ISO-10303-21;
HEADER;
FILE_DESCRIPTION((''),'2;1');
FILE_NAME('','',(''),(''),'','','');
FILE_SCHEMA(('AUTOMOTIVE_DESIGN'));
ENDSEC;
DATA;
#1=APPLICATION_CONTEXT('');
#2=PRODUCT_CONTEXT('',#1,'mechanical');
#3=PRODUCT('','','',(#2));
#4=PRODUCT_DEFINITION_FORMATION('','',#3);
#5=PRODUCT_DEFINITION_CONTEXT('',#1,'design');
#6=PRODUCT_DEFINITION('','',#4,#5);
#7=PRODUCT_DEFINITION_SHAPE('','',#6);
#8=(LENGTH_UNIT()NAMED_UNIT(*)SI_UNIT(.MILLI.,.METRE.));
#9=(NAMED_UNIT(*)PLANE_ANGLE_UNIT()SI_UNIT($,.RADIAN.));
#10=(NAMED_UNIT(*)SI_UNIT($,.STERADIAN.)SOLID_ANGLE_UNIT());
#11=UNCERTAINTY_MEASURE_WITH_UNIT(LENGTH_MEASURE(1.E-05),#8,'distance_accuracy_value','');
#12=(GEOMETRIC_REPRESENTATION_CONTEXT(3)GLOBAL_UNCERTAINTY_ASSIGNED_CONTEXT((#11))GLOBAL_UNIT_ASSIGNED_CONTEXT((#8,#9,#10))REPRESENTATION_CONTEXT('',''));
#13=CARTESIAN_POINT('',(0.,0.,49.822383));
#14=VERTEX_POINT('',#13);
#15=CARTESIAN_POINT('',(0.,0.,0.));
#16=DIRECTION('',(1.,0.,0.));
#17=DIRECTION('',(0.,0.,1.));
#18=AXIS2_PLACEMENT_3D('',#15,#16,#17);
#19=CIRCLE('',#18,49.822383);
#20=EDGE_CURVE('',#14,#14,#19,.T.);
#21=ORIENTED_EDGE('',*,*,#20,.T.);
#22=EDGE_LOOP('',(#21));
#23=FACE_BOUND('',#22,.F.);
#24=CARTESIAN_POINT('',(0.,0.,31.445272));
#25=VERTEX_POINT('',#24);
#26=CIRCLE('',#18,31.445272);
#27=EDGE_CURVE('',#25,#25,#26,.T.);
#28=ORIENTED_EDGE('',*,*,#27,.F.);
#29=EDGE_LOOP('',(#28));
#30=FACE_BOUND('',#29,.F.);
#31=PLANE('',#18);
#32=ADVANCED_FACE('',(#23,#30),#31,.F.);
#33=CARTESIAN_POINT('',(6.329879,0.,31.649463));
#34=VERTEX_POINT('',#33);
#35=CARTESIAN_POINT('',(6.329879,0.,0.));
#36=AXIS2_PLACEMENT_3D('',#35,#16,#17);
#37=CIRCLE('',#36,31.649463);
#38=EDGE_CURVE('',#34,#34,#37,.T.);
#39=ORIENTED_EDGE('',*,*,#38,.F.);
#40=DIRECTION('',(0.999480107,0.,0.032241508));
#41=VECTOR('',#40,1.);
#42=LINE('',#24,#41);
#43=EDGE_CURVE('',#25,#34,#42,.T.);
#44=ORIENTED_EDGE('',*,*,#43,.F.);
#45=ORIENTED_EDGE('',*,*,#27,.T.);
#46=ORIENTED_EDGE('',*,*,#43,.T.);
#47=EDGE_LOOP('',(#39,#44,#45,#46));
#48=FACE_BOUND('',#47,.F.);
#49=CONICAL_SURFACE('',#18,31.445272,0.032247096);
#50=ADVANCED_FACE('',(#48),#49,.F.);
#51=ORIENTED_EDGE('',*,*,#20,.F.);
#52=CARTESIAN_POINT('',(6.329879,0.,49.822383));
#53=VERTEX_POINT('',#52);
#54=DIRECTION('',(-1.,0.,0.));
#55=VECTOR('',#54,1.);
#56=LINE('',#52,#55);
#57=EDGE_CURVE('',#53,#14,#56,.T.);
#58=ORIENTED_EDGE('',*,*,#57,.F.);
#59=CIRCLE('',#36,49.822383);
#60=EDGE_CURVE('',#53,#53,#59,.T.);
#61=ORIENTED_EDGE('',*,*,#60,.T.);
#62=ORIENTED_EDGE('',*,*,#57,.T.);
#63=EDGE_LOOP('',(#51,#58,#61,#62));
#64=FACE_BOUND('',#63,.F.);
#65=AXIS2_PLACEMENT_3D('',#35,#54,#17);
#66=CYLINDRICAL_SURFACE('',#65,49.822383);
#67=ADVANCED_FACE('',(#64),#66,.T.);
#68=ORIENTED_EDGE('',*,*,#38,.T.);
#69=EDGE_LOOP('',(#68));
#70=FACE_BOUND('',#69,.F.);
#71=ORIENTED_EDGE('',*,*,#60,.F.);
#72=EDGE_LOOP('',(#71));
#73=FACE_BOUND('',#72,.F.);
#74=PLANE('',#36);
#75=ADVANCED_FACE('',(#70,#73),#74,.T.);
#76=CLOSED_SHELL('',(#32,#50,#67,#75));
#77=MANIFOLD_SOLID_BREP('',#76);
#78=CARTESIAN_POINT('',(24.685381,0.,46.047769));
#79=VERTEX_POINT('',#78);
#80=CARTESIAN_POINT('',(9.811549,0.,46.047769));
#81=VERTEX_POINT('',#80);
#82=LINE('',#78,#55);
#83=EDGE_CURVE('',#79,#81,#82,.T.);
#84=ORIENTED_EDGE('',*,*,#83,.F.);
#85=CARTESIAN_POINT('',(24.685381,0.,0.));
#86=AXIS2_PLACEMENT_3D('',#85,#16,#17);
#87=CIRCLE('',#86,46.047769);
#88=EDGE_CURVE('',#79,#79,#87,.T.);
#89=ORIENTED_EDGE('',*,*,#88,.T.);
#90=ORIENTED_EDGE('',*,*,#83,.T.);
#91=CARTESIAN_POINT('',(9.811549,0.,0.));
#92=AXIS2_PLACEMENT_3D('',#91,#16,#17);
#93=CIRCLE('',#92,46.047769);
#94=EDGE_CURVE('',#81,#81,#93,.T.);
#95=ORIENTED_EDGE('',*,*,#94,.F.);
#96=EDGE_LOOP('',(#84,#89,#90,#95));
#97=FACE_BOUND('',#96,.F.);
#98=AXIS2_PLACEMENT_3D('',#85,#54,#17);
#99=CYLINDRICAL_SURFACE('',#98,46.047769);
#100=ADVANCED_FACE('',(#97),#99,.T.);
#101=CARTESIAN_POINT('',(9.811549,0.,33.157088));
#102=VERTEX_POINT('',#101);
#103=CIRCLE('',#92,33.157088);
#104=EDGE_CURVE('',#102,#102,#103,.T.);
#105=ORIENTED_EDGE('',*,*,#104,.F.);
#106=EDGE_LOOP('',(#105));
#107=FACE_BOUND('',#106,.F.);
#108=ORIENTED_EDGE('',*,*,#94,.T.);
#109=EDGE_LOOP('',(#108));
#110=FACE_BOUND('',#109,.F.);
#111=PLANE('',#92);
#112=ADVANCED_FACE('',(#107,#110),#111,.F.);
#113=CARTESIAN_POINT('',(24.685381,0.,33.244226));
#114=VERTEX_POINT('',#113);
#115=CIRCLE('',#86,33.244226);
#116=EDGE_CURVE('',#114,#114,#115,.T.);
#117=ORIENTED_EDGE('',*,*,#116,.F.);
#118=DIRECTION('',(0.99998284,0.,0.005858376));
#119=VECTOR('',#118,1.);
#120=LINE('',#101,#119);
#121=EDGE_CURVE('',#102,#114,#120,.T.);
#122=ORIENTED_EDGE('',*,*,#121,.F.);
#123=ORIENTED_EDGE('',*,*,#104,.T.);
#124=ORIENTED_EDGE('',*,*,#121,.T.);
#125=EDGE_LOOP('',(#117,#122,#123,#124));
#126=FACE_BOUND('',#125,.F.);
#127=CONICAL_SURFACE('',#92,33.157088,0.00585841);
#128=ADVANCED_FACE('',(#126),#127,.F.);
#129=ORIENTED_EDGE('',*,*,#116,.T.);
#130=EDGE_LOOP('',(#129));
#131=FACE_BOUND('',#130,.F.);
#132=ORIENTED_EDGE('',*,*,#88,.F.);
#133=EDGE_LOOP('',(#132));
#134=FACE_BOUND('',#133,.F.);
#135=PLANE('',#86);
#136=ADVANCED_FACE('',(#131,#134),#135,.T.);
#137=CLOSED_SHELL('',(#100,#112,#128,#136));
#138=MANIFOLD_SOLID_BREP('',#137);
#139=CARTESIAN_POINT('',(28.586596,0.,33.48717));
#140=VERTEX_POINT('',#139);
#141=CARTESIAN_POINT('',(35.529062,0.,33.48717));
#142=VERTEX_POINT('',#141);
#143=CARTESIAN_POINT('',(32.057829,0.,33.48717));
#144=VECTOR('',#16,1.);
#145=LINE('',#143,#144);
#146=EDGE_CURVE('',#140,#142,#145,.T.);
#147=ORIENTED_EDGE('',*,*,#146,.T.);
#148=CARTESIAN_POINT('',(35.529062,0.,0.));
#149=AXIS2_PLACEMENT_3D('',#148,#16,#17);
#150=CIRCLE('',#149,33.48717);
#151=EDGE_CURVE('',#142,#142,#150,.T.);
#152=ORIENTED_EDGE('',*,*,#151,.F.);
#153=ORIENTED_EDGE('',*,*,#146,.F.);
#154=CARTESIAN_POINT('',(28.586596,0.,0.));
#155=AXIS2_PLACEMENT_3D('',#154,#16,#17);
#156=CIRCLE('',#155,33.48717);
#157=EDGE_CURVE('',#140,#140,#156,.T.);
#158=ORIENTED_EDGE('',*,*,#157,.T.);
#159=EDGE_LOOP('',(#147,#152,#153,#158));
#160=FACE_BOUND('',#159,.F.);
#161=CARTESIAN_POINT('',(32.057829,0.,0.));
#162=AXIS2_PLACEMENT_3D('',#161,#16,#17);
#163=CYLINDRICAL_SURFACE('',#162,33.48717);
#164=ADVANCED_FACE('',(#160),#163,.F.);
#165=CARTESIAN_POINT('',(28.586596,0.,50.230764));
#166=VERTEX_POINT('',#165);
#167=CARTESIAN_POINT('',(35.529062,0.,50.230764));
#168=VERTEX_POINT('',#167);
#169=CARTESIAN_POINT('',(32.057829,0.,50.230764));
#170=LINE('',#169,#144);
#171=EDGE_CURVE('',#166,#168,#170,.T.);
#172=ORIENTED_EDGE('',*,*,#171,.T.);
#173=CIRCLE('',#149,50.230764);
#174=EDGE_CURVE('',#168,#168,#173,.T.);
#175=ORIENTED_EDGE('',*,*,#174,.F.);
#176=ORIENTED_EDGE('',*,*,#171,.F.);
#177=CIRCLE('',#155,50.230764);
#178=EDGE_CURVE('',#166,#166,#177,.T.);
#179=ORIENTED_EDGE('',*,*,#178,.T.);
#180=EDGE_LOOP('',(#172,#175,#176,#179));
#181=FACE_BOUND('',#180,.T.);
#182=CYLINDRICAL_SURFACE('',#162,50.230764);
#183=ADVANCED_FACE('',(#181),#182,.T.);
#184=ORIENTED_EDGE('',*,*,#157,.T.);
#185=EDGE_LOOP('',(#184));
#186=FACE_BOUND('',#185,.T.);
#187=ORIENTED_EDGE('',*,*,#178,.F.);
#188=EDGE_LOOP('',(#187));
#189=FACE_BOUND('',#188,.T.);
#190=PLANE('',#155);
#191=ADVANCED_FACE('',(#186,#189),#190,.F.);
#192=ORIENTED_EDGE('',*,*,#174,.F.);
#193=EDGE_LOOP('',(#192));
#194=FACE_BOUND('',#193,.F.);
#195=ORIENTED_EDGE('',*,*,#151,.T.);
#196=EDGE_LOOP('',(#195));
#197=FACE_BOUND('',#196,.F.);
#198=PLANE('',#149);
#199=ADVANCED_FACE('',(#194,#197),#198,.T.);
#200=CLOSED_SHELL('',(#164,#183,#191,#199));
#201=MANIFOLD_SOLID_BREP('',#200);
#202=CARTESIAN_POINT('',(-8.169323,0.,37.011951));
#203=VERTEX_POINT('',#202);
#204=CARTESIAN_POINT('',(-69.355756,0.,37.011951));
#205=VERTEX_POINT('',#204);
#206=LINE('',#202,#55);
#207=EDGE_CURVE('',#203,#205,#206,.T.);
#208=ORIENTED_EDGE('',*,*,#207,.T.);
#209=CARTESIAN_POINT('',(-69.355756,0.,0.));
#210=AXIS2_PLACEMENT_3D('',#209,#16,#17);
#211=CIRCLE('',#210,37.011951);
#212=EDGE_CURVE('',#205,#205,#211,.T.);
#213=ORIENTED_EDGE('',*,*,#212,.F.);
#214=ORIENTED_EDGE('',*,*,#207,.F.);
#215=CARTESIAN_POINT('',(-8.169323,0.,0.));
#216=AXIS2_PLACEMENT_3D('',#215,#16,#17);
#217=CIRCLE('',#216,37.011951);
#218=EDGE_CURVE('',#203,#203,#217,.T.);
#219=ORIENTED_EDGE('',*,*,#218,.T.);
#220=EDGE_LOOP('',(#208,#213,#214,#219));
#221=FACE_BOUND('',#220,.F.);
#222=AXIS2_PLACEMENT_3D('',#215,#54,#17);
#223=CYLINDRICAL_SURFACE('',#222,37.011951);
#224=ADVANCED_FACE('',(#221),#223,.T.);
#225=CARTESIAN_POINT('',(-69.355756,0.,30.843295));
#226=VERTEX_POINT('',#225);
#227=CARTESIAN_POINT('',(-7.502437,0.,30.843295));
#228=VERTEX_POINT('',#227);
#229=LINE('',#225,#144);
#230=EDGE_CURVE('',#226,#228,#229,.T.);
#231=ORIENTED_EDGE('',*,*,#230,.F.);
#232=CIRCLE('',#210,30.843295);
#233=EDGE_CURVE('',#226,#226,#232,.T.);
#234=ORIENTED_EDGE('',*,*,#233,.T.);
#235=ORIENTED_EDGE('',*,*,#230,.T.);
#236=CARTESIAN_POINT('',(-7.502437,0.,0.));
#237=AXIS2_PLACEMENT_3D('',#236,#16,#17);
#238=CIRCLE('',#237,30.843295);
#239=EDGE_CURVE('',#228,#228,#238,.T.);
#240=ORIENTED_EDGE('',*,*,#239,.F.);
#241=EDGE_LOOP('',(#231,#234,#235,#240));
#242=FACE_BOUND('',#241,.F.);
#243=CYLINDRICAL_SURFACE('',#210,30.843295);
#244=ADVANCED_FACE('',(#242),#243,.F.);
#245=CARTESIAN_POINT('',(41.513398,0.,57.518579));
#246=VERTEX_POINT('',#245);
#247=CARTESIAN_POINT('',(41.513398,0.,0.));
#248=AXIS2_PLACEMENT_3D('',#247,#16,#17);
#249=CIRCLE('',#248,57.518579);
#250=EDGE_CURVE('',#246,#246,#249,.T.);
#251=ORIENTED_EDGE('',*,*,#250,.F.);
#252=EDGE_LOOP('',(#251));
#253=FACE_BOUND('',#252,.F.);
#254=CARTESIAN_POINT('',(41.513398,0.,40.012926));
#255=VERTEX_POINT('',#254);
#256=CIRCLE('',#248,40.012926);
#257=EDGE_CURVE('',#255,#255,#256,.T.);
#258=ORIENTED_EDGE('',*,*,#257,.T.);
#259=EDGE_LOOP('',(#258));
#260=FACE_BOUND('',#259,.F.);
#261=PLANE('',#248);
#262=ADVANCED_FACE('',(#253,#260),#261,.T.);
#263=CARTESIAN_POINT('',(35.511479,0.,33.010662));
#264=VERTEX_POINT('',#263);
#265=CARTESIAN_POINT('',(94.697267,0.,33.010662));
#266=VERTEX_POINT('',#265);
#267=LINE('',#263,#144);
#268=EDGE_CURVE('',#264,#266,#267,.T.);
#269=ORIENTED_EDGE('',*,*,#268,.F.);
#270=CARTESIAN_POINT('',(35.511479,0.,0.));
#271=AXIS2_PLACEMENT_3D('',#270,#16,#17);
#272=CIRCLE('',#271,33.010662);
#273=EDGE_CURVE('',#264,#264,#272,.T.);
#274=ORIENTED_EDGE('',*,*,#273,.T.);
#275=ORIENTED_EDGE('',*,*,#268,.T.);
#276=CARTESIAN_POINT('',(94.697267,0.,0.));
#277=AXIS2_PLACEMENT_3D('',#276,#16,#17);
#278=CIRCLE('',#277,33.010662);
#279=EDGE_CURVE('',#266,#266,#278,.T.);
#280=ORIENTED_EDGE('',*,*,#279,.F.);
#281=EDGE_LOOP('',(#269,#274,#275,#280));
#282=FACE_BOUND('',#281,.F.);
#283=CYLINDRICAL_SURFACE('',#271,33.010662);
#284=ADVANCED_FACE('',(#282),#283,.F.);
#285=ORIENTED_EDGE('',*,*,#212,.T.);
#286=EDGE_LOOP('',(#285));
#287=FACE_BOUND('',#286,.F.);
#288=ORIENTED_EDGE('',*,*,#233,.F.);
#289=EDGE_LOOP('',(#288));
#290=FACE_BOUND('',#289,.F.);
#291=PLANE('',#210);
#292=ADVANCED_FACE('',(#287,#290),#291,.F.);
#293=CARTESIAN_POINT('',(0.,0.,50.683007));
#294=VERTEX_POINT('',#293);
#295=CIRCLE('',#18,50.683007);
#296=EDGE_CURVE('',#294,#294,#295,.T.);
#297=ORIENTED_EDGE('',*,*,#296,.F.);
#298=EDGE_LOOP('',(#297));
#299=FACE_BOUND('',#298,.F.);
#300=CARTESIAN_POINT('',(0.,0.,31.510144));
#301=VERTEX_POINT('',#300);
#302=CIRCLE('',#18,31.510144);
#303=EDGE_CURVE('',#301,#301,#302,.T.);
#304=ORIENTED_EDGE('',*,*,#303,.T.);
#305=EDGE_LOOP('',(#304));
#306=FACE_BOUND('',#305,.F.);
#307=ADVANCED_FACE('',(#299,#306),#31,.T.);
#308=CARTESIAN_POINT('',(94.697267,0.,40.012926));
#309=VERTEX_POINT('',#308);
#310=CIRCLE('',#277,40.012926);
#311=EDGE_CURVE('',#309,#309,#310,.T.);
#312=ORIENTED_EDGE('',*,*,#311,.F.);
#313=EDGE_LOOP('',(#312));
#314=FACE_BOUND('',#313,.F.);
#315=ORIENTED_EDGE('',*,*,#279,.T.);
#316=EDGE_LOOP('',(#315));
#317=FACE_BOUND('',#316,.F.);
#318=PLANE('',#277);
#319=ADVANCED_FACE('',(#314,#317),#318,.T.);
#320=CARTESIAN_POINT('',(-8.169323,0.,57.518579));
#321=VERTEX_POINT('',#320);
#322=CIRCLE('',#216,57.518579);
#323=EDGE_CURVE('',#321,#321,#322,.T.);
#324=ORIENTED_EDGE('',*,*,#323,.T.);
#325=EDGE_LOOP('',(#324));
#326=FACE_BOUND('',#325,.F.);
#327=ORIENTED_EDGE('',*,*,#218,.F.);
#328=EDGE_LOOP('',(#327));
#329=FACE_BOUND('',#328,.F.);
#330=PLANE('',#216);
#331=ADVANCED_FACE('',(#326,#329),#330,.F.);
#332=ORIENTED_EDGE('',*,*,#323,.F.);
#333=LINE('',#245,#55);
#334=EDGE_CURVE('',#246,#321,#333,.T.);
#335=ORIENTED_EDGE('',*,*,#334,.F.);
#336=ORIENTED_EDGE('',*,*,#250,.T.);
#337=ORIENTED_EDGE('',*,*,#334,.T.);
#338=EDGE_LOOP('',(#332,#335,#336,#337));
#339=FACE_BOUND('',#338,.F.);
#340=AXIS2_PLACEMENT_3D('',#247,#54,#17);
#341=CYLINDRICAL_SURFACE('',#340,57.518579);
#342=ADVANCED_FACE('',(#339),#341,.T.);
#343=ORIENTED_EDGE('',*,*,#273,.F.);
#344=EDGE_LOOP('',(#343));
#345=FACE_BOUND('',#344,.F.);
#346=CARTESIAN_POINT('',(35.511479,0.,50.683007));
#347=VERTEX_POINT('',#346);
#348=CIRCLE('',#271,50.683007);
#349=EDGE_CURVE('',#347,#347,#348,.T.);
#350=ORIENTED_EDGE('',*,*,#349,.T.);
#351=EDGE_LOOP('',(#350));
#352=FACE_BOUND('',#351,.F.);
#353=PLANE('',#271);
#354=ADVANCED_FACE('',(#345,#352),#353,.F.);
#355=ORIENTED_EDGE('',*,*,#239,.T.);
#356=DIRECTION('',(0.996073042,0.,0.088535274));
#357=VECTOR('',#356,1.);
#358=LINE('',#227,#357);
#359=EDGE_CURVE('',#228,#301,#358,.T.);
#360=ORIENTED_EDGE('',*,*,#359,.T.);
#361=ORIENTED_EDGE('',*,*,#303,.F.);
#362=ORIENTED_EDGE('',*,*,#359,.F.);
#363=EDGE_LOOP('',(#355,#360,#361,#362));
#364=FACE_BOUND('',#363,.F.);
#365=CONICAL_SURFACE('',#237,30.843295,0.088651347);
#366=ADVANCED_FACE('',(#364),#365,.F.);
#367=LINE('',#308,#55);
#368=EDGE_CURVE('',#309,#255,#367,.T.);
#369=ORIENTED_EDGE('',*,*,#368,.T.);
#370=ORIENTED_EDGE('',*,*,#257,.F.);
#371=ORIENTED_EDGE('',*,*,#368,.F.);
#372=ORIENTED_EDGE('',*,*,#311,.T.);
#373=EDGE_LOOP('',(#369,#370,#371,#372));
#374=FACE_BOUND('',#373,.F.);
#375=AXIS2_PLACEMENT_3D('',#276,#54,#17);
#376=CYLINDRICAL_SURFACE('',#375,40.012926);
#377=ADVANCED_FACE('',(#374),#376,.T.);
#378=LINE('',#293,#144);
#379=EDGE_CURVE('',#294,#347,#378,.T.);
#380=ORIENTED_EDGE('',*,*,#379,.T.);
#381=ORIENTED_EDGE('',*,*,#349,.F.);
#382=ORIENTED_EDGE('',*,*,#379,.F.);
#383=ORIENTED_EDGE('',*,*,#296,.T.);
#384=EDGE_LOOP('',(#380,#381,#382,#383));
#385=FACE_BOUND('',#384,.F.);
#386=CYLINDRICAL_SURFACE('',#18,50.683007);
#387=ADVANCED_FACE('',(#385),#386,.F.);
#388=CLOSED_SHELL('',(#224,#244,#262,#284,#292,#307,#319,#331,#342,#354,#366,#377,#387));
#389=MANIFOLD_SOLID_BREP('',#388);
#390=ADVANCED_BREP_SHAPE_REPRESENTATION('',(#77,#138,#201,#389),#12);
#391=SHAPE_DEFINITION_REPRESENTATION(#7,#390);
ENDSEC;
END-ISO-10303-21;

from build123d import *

# Parameters (mm, degrees)
F2_W = 6.942466
F2_H = 16.743593


with BuildPart() as f4:
    # F3 (on Front) → F4 (revolve)
    with BuildSketch(Plane.XZ):
        Polygon((9.811549, 46.047769), (9.811549, 33.157088), (24.685381, 33.244226), (24.685381, 46.047769), align=None)
    revolve(axis=Axis((-37.262052, 0, 0), (1, 0, 0)))


with BuildPart() as f5:
    # F2 (on Front) → F5 (revolve)
    with BuildSketch(Plane.XZ):
        with Locations((32.057829, 41.858967)):
            Rectangle(F2_W, F2_H)
    revolve(axis=Axis((-37.262052, 0, 0), (1, 0, 0)))


with BuildPart() as f6:
    # F1 (on Front) → F6 (revolve)
    with BuildSketch(Plane.XZ):
        Polygon((0, 49.822383), (0, 31.445272), (6.329879, 31.649463), (6.329879, 49.822383), align=None)
    revolve(axis=Axis((-37.262052, 0, 0), (1, 0, 0)))


with BuildPart() as f7:
    # F0 (on Front) → F7 (revolve)
    with BuildSketch(Plane.XZ):
        Polygon((-69.355756, 30.843295), (-7.502437, 30.843295), (0, 31.510144), (0, 50.683007), (35.511479, 50.683007), (35.511479, 33.010662), (94.697267, 33.010662), (94.697267, 40.012926), (41.513398, 40.012926), (41.513398, 57.518579), (-8.169323, 57.518579), (-8.169323, 37.011951), (-69.355756, 37.011951), align=None)
    revolve(axis=Axis((-37.262052, 0, 0), (1, 0, 0)))


solid = Compound([f4.part, f5.part, f6.part, f7.part])
